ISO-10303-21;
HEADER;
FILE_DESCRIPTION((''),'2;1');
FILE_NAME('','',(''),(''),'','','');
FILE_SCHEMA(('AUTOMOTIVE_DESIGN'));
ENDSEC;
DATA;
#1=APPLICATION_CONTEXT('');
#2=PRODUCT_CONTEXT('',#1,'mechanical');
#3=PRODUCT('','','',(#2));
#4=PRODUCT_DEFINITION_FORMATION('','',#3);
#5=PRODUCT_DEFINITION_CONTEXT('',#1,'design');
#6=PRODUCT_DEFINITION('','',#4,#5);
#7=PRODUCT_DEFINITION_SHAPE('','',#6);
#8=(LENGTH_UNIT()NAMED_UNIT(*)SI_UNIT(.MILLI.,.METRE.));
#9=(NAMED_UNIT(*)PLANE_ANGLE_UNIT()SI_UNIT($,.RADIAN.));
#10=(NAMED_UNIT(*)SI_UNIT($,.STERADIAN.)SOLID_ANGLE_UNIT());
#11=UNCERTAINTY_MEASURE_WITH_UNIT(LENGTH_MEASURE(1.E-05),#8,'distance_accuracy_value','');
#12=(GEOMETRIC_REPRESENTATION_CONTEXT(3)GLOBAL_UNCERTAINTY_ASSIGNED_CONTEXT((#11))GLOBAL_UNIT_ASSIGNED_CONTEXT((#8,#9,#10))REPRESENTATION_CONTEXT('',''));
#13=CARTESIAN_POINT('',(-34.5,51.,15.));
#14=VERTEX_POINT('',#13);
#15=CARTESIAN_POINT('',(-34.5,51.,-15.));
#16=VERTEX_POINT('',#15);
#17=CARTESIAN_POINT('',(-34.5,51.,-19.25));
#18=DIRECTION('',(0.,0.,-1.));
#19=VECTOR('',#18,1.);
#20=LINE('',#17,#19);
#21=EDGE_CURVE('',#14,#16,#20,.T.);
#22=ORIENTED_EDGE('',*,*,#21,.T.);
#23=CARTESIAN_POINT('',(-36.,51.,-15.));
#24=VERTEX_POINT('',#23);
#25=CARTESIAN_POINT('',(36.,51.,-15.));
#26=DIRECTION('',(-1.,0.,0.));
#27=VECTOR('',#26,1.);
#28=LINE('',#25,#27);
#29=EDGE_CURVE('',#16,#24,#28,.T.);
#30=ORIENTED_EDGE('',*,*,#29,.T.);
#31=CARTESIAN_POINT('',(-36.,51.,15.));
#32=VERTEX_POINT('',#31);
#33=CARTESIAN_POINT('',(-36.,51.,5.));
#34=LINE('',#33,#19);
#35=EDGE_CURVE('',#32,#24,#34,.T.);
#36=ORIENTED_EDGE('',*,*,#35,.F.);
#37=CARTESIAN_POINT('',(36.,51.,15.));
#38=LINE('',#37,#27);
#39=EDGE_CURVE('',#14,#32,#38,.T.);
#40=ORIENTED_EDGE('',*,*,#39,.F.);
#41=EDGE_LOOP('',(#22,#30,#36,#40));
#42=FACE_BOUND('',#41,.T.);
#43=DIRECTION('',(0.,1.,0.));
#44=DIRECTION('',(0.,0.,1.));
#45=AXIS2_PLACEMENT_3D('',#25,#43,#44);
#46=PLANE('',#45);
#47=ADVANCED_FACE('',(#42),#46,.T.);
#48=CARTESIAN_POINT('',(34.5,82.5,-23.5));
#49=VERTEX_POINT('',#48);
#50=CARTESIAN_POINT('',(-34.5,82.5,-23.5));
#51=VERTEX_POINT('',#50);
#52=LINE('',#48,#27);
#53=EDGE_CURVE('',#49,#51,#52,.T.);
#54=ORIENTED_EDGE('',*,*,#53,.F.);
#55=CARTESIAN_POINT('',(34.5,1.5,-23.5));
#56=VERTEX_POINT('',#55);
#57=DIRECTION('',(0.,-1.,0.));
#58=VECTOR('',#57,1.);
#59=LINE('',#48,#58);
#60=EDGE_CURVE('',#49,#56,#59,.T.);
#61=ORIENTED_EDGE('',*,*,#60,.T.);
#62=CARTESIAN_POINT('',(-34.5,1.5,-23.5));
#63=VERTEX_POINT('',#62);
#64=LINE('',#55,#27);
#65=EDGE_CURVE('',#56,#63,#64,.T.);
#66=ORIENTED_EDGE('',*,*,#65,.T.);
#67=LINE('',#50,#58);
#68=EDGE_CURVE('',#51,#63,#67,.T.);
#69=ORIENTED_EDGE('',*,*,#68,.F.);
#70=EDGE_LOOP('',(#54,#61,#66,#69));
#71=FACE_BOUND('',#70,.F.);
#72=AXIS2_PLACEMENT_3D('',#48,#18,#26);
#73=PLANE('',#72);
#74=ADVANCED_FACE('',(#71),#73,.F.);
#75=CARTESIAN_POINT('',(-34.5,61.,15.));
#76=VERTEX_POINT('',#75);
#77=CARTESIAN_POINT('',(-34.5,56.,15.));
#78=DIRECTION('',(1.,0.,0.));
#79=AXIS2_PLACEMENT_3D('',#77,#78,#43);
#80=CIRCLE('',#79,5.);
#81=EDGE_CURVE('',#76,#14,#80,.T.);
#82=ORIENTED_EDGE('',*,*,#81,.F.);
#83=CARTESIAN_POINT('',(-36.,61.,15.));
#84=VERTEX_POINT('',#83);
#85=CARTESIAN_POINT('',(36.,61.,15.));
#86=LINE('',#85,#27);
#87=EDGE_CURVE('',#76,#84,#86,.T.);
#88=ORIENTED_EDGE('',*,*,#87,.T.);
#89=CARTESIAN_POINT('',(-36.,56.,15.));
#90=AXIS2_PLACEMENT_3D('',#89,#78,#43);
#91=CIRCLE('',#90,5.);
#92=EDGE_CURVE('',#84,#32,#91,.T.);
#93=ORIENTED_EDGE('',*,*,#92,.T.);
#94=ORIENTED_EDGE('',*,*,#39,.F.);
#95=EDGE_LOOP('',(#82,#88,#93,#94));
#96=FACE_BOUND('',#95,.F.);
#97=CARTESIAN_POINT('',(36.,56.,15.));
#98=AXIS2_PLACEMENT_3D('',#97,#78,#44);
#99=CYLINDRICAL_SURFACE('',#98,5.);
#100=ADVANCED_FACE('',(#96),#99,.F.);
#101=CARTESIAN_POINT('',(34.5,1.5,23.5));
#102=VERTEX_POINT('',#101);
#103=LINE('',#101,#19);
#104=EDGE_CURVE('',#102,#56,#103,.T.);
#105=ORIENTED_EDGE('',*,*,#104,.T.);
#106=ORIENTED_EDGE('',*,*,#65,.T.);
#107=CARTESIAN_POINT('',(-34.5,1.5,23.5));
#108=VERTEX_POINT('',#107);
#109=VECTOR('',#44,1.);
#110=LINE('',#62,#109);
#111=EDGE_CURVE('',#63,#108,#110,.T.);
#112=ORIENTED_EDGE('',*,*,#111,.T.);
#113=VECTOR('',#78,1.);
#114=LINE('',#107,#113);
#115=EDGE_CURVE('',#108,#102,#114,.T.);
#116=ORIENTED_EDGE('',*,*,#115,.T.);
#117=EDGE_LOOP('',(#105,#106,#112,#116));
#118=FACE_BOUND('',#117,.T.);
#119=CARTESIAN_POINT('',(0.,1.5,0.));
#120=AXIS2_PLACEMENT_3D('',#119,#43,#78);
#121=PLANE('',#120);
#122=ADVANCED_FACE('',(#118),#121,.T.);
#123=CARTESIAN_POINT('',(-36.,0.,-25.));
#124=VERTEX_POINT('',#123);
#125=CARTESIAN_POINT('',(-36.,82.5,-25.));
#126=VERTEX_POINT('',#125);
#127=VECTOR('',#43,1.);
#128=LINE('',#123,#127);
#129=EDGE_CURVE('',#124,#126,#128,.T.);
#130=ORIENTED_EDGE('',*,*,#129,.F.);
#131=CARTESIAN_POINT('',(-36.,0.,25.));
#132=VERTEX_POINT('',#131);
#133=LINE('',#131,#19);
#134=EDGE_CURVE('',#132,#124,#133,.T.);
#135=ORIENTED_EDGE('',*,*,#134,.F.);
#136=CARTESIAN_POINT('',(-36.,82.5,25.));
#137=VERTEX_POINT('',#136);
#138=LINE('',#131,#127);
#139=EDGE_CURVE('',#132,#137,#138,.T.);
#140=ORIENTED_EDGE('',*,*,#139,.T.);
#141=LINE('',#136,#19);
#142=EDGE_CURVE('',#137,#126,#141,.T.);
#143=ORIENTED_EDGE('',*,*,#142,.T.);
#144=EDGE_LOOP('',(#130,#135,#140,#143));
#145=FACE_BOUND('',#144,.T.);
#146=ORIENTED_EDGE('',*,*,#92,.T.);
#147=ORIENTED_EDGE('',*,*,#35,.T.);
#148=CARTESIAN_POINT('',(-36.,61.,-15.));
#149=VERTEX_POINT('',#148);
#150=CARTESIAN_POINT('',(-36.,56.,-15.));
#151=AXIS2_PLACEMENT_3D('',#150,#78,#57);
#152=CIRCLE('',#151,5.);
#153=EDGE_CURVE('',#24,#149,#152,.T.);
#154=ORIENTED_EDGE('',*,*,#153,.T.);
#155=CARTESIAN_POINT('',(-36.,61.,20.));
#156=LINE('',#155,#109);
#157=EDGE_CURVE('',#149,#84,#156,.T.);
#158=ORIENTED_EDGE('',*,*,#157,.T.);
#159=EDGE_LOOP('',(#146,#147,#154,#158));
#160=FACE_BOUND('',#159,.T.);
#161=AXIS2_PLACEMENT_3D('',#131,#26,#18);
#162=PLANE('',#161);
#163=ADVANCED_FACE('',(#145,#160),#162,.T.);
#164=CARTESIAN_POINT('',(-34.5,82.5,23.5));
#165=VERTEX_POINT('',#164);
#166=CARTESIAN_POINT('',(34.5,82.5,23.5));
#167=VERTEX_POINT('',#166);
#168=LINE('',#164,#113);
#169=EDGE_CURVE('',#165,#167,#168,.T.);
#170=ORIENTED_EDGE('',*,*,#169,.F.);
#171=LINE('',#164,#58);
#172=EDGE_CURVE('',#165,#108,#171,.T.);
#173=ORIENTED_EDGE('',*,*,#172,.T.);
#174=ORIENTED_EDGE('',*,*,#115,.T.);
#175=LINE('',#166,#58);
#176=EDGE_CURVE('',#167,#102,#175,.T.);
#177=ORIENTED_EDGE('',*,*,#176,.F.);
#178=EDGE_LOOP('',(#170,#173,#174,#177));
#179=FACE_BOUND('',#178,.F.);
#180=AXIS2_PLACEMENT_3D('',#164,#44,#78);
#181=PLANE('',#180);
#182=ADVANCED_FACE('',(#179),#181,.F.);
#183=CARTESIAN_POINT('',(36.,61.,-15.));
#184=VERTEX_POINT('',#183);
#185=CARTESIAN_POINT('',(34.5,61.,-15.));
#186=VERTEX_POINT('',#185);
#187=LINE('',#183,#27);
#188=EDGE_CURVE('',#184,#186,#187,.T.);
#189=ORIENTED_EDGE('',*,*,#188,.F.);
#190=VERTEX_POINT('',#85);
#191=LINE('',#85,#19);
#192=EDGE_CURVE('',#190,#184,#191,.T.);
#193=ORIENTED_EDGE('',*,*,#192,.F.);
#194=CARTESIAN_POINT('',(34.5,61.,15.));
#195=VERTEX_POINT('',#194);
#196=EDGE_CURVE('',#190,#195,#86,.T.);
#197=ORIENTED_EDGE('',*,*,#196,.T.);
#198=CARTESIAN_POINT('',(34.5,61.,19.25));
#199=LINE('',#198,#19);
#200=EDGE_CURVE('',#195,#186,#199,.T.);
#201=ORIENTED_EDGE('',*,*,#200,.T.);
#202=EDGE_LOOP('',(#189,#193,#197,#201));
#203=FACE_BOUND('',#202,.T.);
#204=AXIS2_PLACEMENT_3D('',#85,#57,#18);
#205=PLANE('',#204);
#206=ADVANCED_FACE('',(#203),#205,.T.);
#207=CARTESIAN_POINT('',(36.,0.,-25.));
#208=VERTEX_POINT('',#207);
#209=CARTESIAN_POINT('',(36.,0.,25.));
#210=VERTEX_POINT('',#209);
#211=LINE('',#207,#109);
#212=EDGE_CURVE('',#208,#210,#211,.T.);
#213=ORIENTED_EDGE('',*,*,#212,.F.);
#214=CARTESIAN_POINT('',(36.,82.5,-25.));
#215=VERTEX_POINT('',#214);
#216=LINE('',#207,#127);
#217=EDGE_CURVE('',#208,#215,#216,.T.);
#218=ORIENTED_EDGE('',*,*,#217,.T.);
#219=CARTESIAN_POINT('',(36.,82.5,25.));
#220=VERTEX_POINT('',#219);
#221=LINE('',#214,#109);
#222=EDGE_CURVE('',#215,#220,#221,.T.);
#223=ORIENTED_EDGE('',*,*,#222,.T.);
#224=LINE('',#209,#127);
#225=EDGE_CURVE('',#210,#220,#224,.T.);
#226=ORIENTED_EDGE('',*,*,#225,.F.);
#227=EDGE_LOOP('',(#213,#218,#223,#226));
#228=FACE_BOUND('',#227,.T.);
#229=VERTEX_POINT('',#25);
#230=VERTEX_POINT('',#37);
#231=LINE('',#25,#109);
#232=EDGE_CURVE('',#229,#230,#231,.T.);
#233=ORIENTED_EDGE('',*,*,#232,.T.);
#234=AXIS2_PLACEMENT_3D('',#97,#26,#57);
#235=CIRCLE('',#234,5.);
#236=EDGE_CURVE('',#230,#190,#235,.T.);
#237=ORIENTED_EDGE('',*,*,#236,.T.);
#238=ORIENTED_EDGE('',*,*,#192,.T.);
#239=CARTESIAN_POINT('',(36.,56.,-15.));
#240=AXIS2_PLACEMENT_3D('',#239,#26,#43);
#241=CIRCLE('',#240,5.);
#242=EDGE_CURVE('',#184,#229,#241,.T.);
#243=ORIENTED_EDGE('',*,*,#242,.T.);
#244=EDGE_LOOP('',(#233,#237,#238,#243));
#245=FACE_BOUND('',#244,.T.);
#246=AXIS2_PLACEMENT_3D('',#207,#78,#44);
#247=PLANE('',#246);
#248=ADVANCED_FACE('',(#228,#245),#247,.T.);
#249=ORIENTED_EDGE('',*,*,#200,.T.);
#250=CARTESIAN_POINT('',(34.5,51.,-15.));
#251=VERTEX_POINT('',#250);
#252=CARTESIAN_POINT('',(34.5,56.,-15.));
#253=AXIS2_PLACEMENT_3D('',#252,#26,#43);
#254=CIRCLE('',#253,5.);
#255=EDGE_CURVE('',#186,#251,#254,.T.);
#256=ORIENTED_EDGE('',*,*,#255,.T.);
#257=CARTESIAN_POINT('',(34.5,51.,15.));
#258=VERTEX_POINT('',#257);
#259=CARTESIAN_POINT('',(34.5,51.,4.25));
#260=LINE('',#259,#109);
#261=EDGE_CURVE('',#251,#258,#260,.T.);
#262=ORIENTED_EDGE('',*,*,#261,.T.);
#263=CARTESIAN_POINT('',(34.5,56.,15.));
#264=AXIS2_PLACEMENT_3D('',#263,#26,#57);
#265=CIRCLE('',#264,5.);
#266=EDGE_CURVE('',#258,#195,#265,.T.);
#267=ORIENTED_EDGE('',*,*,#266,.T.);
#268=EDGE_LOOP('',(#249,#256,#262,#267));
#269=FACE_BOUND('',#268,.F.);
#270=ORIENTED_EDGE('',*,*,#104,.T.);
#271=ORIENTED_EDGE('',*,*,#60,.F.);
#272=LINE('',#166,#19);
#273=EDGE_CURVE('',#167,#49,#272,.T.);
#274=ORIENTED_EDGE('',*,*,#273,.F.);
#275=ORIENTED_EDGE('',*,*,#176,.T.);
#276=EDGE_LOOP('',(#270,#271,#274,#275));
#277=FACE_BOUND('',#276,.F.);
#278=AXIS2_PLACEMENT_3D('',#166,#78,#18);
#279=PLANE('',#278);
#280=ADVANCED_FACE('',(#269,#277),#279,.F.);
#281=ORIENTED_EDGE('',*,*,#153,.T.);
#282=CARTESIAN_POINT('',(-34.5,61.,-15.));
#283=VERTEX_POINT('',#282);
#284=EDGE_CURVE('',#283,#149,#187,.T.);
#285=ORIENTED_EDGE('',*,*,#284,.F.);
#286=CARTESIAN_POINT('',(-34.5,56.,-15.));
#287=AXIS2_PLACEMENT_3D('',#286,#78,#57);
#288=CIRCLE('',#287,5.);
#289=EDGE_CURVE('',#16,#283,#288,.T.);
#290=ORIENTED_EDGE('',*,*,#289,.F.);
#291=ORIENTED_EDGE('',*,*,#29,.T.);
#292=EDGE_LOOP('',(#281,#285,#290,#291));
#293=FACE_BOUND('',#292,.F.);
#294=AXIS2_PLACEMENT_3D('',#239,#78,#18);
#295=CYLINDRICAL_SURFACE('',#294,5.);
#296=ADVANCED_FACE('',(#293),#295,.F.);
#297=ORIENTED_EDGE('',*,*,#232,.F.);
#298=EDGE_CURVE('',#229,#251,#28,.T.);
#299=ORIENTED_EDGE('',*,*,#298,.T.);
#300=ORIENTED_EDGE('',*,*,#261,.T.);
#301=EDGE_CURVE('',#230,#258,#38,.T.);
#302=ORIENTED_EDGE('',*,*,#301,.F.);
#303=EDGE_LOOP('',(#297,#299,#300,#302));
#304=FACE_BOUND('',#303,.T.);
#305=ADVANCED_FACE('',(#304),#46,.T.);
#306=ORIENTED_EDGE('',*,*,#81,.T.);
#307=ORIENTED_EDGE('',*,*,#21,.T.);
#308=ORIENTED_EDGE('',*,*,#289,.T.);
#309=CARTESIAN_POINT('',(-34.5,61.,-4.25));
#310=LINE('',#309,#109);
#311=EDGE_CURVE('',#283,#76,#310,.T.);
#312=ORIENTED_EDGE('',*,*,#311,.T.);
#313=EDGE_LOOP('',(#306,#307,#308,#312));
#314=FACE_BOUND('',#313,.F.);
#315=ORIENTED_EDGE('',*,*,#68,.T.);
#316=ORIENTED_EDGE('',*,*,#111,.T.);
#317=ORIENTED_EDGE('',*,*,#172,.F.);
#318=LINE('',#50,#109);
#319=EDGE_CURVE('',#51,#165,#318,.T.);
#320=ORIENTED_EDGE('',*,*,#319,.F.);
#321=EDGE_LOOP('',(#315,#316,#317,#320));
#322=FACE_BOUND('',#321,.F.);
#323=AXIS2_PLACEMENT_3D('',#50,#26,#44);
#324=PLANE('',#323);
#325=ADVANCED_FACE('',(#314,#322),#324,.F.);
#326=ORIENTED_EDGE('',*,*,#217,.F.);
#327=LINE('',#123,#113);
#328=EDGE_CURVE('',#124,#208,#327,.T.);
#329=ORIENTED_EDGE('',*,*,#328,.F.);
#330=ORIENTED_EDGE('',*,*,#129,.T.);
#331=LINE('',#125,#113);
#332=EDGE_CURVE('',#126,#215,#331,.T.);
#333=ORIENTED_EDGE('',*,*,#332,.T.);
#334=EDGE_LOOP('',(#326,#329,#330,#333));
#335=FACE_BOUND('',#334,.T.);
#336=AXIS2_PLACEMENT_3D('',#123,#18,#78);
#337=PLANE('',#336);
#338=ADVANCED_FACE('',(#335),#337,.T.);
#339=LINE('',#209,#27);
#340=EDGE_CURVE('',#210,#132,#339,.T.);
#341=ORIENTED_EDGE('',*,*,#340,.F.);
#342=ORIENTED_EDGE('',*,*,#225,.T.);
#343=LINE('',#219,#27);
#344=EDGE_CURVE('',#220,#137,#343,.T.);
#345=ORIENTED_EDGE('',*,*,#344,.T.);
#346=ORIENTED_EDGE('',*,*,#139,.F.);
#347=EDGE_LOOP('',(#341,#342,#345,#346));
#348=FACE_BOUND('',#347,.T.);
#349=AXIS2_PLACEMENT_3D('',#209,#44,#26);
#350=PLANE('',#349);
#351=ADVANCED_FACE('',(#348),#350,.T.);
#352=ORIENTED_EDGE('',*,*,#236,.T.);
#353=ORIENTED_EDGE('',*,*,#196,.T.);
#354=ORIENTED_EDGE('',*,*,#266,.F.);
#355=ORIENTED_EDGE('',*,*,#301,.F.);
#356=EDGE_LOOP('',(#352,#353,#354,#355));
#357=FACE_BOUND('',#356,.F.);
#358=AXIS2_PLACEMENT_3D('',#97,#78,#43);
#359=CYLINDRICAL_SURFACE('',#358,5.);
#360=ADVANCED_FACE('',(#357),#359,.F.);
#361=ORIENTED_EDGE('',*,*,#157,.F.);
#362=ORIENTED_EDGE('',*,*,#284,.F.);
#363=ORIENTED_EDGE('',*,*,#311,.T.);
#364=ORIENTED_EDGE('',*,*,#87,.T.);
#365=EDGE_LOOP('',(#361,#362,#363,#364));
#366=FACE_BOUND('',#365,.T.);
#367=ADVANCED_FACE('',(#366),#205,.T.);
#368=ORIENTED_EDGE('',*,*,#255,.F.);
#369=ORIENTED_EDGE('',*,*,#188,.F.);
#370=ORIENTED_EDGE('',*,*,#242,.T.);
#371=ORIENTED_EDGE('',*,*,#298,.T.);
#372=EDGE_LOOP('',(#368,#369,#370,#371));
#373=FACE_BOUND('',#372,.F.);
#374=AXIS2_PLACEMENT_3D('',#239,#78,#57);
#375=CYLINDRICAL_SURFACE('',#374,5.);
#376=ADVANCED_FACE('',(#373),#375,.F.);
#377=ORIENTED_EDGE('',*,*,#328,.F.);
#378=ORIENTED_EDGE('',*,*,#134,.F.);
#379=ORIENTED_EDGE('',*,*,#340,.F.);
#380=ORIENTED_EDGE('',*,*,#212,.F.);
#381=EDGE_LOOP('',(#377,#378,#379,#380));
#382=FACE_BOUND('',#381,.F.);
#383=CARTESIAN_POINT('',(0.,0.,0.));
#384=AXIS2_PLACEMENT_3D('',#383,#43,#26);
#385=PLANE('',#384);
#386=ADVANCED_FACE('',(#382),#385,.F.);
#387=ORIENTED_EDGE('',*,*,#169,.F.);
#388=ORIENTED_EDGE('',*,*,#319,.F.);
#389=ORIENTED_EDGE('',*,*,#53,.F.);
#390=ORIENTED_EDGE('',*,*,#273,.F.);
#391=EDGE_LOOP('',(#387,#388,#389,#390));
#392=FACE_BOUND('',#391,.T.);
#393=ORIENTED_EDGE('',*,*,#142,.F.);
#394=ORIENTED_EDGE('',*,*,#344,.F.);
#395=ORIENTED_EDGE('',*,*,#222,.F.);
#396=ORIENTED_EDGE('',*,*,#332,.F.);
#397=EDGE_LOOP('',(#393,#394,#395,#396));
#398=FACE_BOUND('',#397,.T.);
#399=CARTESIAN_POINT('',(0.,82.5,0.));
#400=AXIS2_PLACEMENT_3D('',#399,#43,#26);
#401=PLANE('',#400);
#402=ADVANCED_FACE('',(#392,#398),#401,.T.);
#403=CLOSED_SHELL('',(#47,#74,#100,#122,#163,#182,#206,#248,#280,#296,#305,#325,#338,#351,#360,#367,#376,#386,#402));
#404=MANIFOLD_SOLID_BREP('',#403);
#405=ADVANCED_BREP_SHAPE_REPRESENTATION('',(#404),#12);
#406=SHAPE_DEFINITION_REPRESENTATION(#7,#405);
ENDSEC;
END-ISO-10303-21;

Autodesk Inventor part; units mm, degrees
ref_plane "YZ Plane" through (0, 0, 0) normal (1, 0, 0) x (0, 1, 0)
ref_plane "XZ Plane" through (0, 0, 0) normal (0, 1, 0) x (-1, 0, 0)
ref_plane "XY Plane" through (0, 0, 0) normal (0, 0, 1) x (1, 0, 0)
sketch "Boceto3" plane through (0, 0, 0) normal (0, 1, 0) x (-1, 0, 0)
  line L0 (36, -25) -> (-36, -25)
  line L1 (-36, -25) -> (-36, 25)
  line L2 (-36, 25) -> (36, 25)
  line L3 (36, 25) -> (36, -25)
  point P0 (0, 0)
  point P1 (36, 0)
  point P2 (0, -25)
  dimension "d8" = 72
  dimension "d9" = 50
extrude "Extrusión2" add sketch "Boceto3" along normal blind 82.5
sketch "Boceto5" plane through (0, 82.5, 0) normal (0, 1, 0) x (1, 0, 0)
  line L0 (-34.5, -23.5) -> (34.5, -23.5)
  line L1 (34.5, -23.5) -> (34.5, 23.5)
  line L2 (34.5, 23.5) -> (-34.5, 23.5)
  line L3 (-34.5, 23.5) -> (-34.5, -23.5)
  line L4 (-36, 25) -> (-36, -25) projected
  line L5 (36, 25) -> (-36, 25) projected
  line L6 (36, -25) -> (36, 25) projected
  line L7 (-36, -25) -> (36, -25) projected
  point P0 (0, 0)
  dimension "d12" = 1.5
  dimension "d13" = 1.5
  dimension "d14" = 1.5
  dimension "d15" = 1.5
extrude "Extrusión3" cut sketch "Boceto5" against normal blind 81 contours L3 L2 L1 L0
sketch "Boceto6" plane through (36, 0, 25) normal (1, 0, 0) x (0, 0, -1)
  line L0 (10, 61) -> (40, 61)
  line L1 (45, 56) -> (45, 56)
  line L2 (40, 51) -> (10, 51)
  line L3 (5, 56) -> (5, 56)
  line L4 (0, 82.5) -> (50, 82.5) projected
  arc A0 (10, 61) -> (5, 56) centre (10, 56) ccw
  arc A1 (5, 56) -> (10, 51) centre (10, 56) ccw
  arc A2 (45, 56) -> (40, 61) centre (40, 56) ccw
  arc A3 (40, 51) -> (45, 56) centre (40, 56) ccw
  point P0 (25, 0)
  point P1 (5, 61)
  point P2 (45, 51)
  point P3 (5, 51)
  point P4 (25, 61)
  point P5 (25, 82.5)
  dimension "d18" = 21.5
  dimension "d19" = 40
  dimension "d20" = 10
  dimension "d21" = 5
extrude "Extrusión4" cut sketch "Boceto6" against normal through all
properties part number "Caja2_ConOrificios"
